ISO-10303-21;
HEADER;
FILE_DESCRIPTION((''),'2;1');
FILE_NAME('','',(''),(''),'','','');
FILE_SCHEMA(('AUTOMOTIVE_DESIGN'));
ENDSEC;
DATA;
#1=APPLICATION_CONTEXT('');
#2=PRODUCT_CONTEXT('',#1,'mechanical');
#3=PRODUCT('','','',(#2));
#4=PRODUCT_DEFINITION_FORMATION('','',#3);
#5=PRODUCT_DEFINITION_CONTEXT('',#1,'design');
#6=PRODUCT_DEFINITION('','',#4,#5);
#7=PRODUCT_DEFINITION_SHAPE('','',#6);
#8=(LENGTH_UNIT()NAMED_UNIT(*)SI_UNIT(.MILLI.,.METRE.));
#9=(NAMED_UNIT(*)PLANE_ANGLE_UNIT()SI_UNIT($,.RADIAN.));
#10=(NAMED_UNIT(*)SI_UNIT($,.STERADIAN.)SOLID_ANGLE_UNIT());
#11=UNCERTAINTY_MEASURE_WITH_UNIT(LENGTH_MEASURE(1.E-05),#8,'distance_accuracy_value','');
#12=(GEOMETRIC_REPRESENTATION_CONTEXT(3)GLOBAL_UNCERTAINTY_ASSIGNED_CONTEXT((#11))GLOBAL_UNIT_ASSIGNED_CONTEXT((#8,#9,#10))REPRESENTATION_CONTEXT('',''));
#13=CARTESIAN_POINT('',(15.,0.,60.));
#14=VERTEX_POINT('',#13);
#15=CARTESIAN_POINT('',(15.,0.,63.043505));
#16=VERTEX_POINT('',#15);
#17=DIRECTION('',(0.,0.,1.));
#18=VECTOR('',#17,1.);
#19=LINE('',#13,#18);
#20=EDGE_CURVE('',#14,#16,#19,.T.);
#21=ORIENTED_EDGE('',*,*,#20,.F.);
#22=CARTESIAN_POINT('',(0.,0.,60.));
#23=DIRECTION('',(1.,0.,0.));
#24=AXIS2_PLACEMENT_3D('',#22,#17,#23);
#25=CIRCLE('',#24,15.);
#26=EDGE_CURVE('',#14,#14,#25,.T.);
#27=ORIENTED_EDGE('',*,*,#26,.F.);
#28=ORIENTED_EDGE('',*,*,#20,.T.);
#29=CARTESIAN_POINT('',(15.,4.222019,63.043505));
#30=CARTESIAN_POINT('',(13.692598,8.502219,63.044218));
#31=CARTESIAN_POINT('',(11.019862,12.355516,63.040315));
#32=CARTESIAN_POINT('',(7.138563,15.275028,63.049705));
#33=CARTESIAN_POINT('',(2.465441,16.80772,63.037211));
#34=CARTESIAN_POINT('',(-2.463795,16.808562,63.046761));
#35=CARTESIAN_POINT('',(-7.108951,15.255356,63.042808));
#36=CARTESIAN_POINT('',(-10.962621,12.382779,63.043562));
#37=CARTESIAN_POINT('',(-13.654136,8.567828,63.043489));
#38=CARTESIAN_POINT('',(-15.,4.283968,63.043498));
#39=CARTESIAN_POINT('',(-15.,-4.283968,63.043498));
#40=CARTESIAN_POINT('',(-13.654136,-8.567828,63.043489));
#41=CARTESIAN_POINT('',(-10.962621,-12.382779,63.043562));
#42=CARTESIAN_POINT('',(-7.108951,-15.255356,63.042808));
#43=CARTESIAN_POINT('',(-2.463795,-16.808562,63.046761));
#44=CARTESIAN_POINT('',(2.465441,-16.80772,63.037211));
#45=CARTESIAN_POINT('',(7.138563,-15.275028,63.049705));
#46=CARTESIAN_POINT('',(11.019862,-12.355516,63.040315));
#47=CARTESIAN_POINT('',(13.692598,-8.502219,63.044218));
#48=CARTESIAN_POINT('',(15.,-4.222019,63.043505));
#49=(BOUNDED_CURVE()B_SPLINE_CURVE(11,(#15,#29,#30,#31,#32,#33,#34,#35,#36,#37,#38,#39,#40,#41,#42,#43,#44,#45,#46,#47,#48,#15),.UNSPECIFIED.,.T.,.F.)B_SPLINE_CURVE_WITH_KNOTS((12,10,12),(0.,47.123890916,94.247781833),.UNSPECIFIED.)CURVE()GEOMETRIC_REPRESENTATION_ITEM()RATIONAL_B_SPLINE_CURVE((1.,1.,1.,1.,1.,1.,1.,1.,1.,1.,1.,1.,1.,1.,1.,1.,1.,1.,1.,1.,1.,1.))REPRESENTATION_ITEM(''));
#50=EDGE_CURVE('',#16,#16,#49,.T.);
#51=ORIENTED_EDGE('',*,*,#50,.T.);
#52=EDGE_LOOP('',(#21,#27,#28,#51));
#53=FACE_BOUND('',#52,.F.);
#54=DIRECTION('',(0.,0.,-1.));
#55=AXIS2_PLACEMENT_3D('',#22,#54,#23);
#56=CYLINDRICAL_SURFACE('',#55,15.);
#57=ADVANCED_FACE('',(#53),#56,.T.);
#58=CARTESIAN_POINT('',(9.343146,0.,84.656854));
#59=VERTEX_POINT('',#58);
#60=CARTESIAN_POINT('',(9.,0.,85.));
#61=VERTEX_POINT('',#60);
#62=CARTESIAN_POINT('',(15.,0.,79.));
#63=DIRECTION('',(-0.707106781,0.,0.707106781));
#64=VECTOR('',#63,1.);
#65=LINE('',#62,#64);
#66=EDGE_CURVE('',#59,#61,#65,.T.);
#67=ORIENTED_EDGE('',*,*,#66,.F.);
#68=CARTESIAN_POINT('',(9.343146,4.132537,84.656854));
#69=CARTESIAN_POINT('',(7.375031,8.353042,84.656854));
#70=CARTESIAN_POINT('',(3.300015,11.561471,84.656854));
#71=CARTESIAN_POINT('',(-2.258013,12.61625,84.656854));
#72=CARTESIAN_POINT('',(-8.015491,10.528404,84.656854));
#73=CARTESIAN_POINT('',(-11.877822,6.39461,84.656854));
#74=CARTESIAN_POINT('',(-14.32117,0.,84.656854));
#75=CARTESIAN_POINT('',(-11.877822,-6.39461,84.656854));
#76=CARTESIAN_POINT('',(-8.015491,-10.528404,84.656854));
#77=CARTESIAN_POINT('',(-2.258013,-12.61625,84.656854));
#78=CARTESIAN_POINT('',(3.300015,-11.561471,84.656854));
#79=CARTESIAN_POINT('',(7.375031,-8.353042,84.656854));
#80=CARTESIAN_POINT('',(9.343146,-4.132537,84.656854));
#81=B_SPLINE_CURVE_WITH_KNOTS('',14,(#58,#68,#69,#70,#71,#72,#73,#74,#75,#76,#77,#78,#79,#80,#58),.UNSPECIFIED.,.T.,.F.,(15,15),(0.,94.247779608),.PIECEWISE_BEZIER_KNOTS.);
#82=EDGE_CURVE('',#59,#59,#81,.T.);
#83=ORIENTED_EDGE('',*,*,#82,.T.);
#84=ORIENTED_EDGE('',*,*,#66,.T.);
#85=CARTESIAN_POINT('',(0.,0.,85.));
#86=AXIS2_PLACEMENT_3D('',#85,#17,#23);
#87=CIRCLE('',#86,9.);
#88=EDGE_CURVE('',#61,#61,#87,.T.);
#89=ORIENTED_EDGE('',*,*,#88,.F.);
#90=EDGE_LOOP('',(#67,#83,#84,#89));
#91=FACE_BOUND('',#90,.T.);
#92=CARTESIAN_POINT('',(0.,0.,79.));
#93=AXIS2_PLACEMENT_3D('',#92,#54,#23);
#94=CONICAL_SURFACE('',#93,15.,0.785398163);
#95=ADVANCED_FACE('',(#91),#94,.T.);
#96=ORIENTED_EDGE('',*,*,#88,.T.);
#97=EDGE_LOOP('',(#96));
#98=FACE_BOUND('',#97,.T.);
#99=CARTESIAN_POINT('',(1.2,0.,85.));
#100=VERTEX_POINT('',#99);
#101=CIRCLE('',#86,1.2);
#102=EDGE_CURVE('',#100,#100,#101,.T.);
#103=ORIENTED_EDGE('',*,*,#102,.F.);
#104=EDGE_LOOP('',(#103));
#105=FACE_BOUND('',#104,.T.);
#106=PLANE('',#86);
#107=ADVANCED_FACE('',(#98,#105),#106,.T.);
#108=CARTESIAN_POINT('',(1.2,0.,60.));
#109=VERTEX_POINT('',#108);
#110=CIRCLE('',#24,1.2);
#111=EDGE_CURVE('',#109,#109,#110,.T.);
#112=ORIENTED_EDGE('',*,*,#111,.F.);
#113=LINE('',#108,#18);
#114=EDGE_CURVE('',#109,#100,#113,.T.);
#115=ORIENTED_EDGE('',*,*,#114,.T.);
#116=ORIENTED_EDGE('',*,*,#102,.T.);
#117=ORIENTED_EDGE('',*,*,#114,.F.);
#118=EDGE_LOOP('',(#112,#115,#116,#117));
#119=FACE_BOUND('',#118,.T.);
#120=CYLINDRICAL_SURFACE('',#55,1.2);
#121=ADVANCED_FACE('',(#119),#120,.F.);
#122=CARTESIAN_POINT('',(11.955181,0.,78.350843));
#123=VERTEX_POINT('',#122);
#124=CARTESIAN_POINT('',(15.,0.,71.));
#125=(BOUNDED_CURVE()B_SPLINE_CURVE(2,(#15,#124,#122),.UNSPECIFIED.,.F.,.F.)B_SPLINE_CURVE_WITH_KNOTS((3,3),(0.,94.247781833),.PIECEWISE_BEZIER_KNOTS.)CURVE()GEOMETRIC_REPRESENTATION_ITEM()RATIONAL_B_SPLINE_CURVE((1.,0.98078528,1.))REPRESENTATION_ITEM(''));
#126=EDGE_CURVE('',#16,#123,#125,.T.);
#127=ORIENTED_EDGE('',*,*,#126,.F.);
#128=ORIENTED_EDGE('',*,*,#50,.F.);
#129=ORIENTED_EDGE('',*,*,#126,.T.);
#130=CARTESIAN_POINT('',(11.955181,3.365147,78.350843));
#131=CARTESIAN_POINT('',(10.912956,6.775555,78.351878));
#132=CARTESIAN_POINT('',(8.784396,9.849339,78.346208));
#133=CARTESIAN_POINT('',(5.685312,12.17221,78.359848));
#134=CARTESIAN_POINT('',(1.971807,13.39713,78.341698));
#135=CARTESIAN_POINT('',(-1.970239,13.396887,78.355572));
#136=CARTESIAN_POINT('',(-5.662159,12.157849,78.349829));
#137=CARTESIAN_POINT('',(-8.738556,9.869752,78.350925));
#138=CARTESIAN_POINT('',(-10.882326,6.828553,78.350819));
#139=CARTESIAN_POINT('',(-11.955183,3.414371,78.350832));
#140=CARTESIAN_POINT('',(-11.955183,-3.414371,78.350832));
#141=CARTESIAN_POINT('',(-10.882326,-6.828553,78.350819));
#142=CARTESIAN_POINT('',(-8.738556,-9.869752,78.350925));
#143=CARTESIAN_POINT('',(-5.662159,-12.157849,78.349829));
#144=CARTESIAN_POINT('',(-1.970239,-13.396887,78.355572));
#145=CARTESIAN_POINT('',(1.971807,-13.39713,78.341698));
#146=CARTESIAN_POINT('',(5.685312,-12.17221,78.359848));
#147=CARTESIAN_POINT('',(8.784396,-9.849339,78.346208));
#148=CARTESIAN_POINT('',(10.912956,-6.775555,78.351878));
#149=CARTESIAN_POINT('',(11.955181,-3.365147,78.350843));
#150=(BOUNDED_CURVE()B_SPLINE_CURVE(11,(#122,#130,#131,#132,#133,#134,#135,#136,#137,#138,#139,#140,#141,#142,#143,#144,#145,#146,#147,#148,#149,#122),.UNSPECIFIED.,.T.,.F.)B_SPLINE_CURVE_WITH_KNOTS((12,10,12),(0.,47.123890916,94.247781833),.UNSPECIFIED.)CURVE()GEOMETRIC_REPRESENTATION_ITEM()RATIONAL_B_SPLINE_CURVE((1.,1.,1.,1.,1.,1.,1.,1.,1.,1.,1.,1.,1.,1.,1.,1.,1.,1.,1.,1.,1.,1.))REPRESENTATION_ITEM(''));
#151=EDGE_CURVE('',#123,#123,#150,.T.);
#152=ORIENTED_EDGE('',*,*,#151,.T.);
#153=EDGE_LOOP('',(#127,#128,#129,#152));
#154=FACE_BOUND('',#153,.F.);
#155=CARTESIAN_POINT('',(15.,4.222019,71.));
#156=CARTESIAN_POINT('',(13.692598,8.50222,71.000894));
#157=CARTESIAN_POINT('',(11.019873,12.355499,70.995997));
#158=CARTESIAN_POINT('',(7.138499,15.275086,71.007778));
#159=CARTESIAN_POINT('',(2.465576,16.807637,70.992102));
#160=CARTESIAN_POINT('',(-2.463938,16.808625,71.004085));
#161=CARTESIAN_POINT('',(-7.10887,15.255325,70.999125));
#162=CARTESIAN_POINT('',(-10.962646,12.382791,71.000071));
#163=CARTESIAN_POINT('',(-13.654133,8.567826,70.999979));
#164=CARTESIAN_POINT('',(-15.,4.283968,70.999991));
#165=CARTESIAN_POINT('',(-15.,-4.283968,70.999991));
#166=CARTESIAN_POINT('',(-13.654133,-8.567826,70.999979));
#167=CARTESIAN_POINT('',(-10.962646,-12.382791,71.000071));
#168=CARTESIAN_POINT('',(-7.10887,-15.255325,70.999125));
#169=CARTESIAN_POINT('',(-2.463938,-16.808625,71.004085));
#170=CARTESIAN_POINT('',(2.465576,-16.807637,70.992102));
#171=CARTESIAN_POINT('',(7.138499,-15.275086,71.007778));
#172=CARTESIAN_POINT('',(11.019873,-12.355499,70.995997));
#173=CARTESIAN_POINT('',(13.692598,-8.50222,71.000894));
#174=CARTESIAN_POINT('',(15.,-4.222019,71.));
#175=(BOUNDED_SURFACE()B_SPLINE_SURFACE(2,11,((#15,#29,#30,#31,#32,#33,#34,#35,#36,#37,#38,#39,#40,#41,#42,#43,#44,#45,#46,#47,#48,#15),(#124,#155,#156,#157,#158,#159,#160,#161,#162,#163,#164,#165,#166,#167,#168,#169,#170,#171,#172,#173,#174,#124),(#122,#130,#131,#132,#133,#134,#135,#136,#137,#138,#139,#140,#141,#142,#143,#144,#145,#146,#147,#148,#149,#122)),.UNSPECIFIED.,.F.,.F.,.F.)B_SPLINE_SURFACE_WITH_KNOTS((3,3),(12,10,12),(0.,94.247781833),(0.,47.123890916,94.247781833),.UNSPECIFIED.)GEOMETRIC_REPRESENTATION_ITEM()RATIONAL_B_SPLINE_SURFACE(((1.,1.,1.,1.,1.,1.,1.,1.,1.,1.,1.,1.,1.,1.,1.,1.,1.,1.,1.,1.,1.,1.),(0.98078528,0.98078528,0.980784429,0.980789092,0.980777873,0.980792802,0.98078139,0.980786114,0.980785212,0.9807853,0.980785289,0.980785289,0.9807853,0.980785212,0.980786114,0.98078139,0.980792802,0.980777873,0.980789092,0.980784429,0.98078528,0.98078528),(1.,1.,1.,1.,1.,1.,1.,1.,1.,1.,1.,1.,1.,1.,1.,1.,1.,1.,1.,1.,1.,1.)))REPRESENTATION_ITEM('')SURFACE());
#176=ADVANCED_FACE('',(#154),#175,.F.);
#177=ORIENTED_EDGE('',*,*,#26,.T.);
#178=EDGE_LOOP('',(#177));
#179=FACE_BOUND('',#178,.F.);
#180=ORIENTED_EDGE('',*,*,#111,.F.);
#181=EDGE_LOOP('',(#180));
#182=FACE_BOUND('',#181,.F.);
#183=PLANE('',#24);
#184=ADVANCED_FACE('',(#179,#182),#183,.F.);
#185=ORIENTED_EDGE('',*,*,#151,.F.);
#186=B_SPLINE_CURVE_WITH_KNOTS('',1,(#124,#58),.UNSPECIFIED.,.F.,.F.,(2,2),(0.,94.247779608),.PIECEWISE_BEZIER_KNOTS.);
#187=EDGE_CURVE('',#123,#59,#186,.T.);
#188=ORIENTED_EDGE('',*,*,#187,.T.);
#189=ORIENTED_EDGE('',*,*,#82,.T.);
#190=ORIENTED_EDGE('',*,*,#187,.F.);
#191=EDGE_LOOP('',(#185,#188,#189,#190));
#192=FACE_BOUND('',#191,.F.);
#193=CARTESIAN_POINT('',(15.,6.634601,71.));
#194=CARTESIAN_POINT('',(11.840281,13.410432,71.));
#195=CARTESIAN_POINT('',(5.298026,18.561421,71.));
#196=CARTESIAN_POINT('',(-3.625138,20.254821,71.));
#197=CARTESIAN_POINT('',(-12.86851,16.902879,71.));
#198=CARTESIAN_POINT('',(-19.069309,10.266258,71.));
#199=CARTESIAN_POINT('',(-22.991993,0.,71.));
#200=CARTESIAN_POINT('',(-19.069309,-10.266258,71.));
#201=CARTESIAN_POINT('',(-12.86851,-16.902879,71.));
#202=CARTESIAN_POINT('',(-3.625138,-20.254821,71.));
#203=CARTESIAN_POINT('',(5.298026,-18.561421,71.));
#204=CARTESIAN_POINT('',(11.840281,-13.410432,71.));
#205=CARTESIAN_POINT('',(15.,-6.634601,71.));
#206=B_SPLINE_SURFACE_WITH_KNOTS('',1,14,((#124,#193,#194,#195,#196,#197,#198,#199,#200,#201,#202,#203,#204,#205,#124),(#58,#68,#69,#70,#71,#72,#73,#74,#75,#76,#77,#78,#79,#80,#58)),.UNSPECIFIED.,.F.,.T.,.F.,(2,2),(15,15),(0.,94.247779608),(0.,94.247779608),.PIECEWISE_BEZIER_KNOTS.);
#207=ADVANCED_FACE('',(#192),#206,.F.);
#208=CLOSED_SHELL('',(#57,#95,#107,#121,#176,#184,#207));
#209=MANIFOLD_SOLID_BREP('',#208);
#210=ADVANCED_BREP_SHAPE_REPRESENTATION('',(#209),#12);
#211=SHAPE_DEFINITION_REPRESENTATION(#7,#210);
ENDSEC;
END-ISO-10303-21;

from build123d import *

# Parameters (mm, degrees)
TUBE_R          = 15
TUBE_R_2        = 1.2
TUBE_DEPTH      = 25
CHAMFER_SIZE    = 6
CHAMFER001_SIZE = 8
FILLET_R        = 40


with BuildPart() as part:
    # Tube → Tube (new body)
    with BuildSketch(Plane.XY):
        Circle(TUBE_R)
        Circle(TUBE_R_2, mode=Mode.SUBTRACT)
    extrude(amount=TUBE_DEPTH)

    # Chamfer
    chamfer_edges = [part.edges().sort_by_distance(p)[0] for p in [
        (-15, 0, 25),
    ]]
    chamfer(chamfer_edges, length=CHAMFER_SIZE)

    # Chamfer001
    chamfer001_edges = [part.edges().sort_by_distance(p)[0] for p in [
        (-15, 0, 19),
    ]]
    chamfer(chamfer001_edges, length=CHAMFER001_SIZE)

    # Fillet
    fillet_edges = [part.edges().sort_by_distance(p)[0] for p in [
        (-14.999996, 0, 11),
    ]]
    fillet(fillet_edges, radius=FILLET_R)


with BuildPart() as part_1:
    # Fillet placement: moved
    add(part.part.moved(Location((0, 0, 60))))


solid = part_1.part
